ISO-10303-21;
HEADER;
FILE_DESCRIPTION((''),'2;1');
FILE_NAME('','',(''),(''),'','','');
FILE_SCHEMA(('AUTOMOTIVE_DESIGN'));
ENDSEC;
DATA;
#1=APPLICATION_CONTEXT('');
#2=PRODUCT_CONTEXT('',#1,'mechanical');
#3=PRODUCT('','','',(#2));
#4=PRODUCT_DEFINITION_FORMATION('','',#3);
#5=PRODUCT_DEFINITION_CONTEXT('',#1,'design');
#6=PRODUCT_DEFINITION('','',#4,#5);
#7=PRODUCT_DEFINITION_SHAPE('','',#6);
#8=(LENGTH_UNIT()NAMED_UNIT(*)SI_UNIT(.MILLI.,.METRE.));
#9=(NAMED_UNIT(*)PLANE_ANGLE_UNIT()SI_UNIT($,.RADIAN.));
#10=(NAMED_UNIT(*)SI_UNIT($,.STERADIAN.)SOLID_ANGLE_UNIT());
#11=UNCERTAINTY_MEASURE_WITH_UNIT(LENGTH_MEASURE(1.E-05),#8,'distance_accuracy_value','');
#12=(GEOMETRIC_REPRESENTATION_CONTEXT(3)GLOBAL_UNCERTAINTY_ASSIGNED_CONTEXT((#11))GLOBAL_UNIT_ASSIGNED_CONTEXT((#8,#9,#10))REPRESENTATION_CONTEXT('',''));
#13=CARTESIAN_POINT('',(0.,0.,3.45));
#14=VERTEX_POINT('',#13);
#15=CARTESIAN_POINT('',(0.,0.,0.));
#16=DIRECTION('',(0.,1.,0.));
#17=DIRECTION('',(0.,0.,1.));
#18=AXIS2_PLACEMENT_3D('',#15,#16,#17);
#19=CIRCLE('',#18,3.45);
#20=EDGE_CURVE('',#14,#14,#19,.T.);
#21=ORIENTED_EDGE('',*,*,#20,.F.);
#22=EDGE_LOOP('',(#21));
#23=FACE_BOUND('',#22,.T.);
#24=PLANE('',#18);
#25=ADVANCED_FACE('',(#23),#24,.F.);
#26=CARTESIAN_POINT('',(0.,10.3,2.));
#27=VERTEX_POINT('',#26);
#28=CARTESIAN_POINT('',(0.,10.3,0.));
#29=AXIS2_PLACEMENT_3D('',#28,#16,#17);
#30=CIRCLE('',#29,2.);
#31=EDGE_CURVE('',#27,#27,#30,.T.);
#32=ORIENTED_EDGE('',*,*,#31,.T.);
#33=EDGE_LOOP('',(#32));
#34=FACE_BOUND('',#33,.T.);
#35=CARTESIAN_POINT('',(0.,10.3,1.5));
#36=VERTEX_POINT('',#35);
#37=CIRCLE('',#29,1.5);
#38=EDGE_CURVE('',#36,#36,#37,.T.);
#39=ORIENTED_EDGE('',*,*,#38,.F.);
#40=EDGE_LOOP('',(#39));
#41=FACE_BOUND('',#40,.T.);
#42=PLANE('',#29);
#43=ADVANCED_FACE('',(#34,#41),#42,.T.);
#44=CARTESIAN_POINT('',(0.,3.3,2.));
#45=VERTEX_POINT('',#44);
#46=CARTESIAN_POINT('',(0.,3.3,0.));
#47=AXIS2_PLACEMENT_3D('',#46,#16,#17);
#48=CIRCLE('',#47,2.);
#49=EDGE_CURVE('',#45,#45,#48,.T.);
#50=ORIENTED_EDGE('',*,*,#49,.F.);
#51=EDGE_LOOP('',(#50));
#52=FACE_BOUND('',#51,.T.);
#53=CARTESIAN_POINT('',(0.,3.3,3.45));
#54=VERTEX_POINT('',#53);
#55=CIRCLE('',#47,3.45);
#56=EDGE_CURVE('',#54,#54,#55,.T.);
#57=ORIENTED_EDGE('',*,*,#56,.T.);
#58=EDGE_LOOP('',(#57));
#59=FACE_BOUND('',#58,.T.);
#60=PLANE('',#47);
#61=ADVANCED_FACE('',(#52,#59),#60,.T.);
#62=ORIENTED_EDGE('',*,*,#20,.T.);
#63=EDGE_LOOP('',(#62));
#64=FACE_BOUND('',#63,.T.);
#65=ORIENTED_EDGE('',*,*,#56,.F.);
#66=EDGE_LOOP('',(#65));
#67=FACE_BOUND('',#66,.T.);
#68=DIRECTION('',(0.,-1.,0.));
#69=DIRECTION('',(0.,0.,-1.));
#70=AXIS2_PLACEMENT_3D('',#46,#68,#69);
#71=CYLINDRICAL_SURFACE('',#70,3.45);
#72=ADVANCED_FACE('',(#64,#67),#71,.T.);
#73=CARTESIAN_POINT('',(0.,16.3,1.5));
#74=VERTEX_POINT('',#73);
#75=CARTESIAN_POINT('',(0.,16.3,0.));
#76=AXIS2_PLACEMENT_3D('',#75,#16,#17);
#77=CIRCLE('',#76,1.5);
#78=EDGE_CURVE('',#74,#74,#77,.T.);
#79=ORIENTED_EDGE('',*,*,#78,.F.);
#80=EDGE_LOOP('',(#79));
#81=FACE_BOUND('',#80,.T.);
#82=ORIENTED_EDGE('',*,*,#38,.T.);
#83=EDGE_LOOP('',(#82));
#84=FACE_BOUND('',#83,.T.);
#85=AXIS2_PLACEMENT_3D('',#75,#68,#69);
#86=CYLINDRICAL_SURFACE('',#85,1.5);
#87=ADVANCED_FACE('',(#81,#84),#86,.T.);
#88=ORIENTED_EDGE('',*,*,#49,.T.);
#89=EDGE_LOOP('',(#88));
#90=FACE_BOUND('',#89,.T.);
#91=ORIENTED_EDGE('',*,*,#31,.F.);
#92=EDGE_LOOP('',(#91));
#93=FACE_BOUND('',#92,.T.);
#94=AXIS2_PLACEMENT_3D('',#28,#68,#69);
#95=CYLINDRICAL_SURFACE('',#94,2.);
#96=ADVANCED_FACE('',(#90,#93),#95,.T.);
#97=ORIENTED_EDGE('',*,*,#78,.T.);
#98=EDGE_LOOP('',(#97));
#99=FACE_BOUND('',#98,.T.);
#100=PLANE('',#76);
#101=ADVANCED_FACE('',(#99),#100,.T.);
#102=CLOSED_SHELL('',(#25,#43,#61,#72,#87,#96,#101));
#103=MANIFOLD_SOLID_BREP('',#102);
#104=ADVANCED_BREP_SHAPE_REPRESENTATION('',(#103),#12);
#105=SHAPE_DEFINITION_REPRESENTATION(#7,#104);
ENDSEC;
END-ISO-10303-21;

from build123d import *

# Parameters (mm, degrees)
SKETCH_1_R      = 3.45
EXTRUDE_1_DEPTH = 3.3
SKETCH_2_R      = 2
EXTRUDE_2_DEPTH = 7
SKETCH_3_R      = 1.5
EXTRUDE_3_DEPTH = 6


with BuildPart() as part:
    # 草图1 → 凸台-拉伸1 (new body)
    with BuildSketch(Plane(origin=(0, 0, 0), x_dir=(1, 0, 0), z_dir=(0, 1, 0))):
        with Locations(Location((0, 0, 0), (0, 0, 270))):
            Circle(SKETCH_1_R)
    extrude(amount=EXTRUDE_1_DEPTH)

    # 草图2 → 凸台-拉伸2 (add)
    with BuildSketch(Plane(origin=(0, 3.3, 0), x_dir=(1, 0, 0), z_dir=(0, 1, 0))):
        with Locations(Location((0, 0, 0), (0, 0, 270))):
            Circle(SKETCH_2_R)
    extrude(amount=EXTRUDE_2_DEPTH)

    # 草图3 → 凸台-拉伸3 (add)
    with BuildSketch(Plane(origin=(0, 10.3, 0), x_dir=(1, 0, 0), z_dir=(0, 1, 0))):
        with Locations(Location((0, 0, 0), (0, 0, 270))):
            Circle(SKETCH_3_R)
    extrude(amount=EXTRUDE_3_DEPTH)


solid = part.part
